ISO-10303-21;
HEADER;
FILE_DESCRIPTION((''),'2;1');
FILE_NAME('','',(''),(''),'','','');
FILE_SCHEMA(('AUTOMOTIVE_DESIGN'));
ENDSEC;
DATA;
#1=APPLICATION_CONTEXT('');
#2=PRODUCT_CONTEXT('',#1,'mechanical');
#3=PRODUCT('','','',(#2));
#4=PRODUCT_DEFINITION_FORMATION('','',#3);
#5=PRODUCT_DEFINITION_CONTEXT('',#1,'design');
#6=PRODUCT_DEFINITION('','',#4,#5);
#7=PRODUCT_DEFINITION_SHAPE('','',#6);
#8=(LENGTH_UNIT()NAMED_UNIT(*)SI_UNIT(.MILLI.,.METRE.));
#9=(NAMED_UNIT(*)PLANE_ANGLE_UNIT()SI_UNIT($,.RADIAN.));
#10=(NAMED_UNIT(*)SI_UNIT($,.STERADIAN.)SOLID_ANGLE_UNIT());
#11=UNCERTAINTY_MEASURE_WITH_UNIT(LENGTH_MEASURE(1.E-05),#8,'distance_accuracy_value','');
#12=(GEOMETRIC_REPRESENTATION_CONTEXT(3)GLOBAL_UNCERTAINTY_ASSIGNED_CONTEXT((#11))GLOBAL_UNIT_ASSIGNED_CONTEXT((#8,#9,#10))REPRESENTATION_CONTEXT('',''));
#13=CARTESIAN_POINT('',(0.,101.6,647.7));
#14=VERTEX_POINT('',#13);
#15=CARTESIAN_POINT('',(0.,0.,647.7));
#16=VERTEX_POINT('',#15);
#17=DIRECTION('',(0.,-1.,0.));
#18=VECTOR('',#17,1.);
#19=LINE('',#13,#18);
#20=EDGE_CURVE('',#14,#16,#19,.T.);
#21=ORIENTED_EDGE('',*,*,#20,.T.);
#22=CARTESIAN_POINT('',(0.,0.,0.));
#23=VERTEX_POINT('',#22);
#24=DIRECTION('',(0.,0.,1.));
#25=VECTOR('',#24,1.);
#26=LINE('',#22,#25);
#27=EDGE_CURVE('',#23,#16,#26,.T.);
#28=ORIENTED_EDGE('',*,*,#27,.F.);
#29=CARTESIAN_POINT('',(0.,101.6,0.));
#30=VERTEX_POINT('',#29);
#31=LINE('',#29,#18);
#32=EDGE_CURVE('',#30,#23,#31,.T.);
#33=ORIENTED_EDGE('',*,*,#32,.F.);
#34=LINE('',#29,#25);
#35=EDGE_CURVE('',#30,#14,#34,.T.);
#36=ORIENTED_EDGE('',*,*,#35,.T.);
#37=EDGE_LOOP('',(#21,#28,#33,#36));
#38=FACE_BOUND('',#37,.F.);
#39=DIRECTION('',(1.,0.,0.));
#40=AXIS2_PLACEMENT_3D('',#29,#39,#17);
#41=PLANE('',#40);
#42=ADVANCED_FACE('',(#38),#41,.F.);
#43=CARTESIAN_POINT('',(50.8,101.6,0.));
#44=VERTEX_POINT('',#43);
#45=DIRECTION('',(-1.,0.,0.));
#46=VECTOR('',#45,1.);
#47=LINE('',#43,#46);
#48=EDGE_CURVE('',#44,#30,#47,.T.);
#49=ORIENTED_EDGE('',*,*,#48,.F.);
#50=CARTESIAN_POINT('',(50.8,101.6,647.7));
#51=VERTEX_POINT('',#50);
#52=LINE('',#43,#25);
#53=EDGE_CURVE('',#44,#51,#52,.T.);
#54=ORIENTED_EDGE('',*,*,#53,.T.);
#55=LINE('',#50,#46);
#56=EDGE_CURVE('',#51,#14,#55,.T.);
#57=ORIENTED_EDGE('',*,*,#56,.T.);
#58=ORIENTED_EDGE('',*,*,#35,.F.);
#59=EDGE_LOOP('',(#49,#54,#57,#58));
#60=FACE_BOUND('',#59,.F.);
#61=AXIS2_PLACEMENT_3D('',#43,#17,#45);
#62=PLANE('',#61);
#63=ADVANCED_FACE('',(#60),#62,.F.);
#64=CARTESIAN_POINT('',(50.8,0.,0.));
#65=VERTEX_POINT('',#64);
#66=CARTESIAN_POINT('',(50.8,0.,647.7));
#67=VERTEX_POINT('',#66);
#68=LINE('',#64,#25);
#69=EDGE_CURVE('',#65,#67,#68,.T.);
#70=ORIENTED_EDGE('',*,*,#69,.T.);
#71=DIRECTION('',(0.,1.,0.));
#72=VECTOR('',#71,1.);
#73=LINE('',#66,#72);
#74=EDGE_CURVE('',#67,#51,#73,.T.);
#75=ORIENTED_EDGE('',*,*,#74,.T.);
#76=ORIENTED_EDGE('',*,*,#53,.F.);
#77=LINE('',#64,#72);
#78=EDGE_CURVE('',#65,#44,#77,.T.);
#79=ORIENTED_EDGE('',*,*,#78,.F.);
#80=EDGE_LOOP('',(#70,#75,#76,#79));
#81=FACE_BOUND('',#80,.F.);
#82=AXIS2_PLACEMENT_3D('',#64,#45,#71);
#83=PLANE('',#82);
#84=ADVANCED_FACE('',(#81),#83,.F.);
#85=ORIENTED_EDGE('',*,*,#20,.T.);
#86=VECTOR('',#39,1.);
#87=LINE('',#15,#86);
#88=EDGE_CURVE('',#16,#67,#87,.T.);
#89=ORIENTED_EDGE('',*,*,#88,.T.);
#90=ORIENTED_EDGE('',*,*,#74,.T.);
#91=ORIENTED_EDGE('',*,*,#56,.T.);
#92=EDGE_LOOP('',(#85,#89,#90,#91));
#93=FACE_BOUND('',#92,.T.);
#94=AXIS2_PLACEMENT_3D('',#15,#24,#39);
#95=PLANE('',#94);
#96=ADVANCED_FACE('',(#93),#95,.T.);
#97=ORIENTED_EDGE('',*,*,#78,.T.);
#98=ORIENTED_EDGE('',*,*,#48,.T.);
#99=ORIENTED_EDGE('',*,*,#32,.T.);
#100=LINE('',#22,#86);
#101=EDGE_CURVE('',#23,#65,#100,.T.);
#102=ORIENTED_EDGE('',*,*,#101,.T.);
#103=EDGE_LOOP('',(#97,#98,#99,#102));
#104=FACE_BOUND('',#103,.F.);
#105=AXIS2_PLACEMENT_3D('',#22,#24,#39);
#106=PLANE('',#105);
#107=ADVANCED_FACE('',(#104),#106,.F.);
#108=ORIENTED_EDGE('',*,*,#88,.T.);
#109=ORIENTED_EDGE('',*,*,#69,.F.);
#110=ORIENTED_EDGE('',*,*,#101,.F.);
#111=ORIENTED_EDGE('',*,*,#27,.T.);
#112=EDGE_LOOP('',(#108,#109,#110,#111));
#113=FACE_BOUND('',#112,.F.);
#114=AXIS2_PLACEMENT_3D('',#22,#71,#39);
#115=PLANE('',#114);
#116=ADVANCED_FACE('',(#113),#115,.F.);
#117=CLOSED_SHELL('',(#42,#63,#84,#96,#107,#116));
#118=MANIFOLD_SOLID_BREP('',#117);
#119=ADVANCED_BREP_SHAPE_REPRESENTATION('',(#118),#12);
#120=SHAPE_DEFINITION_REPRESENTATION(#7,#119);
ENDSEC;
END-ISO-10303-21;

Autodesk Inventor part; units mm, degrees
ref_plane "YZ Plane" through (0, 0, 0) normal (1, 0, 0) x (0, 1, 0)
ref_plane "XZ Plane" through (0, 0, 0) normal (0, 1, 0) x (-1, 0, 0)
ref_plane "XY Plane" through (0, 0, 0) normal (0, 0, 1) x (1, 0, 0)
sketch "Sketch1" plane through (0, 0, 0) normal (0, 0, 1) x (1, 0, 0)
  line L0 (0, 0) -> (50.8, 0)
  line L1 (50.8, 0) -> (50.8, 101.6)
  line L2 (50.8, 101.6) -> (0, 101.6)
  line L3 (0, 101.6) -> (0, 0)
  dimension "d0" = 50.8
  dimension "d1" = 101.6
extrude "Extrusion1" add sketch "Sketch1" along normal blind 647.7
properties part number "SmallHorizBeam"
